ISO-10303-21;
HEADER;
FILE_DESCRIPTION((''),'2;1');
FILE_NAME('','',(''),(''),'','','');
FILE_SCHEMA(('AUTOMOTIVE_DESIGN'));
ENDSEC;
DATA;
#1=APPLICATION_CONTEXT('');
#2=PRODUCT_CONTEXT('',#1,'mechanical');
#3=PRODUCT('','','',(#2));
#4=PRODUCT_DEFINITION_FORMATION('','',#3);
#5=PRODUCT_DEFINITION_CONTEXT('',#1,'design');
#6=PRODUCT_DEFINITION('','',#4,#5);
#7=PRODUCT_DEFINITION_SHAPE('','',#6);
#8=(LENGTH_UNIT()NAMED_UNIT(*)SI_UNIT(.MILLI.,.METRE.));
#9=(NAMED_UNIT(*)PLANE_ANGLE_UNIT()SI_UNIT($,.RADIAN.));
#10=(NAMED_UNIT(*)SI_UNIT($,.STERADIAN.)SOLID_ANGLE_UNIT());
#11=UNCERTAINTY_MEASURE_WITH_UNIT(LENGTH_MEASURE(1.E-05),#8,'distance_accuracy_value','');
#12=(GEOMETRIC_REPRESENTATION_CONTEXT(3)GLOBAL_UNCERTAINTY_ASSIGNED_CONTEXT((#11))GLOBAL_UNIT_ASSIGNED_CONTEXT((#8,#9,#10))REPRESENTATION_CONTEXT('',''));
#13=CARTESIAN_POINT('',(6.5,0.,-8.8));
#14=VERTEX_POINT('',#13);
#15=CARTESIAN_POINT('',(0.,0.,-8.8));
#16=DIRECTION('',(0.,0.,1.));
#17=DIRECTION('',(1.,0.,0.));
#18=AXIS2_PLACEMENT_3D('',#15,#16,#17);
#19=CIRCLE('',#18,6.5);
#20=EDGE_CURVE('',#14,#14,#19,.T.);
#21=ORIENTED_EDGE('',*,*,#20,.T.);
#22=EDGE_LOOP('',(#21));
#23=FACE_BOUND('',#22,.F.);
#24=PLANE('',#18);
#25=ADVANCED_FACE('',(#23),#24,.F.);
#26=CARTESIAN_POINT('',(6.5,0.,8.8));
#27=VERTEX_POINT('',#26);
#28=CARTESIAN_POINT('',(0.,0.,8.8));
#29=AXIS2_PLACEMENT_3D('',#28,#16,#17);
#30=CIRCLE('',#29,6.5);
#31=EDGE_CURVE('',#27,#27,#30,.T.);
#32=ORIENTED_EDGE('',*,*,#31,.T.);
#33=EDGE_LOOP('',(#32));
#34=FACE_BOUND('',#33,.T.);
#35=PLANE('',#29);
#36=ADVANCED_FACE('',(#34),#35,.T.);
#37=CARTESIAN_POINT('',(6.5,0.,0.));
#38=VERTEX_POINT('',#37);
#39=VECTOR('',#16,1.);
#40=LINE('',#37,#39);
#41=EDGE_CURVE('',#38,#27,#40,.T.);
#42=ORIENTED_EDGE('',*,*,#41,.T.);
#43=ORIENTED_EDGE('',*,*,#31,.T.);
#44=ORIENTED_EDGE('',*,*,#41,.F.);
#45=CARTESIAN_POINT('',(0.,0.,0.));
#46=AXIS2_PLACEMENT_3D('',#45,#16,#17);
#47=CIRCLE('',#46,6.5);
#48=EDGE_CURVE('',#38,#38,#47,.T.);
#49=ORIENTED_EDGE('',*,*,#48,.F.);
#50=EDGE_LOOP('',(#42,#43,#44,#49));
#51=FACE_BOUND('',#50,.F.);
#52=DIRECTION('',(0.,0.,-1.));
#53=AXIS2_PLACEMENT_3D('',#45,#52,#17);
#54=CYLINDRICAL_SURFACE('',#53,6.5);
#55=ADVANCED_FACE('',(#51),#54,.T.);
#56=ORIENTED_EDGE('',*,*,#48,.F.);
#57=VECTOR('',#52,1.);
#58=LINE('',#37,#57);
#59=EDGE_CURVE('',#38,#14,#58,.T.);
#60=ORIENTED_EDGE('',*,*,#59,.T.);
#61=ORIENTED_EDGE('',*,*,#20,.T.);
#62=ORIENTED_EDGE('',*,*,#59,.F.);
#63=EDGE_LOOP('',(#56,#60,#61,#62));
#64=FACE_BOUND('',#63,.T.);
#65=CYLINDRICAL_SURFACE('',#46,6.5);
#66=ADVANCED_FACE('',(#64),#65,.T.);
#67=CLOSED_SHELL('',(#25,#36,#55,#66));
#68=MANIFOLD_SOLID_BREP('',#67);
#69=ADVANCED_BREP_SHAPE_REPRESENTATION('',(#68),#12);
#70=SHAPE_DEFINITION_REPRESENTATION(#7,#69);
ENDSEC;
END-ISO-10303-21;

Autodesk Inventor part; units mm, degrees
ref_plane "YZ Plane" through (0, 0, 0) normal (1, 0, 0) x (0, 1, 0)
ref_plane "XZ Plane" through (0, 0, 0) normal (0, 1, 0) x (-1, 0, 0)
ref_plane "XY Plane" through (0, 0, 0) normal (0, 0, 1) x (1, 0, 0)
sketch "Hauptskizze" plane through (0, 0, 0) normal (0, 0, 1) x (1, 0, 0)
  circle A0 centre (0, 0) radius 6.5
  dimension "d0" = 13
extrude "Riemenscheibe" add sketch "Hauptskizze" along normal mid plane 17.6
equation "\"d0\" = da_D"
equation "\"d1\" = da_B"
equation "\"da_D\" = 13"
equation "\"da_B\" = 17.6"
properties part number "Flache Riemenscheibe1" material "Steel"
